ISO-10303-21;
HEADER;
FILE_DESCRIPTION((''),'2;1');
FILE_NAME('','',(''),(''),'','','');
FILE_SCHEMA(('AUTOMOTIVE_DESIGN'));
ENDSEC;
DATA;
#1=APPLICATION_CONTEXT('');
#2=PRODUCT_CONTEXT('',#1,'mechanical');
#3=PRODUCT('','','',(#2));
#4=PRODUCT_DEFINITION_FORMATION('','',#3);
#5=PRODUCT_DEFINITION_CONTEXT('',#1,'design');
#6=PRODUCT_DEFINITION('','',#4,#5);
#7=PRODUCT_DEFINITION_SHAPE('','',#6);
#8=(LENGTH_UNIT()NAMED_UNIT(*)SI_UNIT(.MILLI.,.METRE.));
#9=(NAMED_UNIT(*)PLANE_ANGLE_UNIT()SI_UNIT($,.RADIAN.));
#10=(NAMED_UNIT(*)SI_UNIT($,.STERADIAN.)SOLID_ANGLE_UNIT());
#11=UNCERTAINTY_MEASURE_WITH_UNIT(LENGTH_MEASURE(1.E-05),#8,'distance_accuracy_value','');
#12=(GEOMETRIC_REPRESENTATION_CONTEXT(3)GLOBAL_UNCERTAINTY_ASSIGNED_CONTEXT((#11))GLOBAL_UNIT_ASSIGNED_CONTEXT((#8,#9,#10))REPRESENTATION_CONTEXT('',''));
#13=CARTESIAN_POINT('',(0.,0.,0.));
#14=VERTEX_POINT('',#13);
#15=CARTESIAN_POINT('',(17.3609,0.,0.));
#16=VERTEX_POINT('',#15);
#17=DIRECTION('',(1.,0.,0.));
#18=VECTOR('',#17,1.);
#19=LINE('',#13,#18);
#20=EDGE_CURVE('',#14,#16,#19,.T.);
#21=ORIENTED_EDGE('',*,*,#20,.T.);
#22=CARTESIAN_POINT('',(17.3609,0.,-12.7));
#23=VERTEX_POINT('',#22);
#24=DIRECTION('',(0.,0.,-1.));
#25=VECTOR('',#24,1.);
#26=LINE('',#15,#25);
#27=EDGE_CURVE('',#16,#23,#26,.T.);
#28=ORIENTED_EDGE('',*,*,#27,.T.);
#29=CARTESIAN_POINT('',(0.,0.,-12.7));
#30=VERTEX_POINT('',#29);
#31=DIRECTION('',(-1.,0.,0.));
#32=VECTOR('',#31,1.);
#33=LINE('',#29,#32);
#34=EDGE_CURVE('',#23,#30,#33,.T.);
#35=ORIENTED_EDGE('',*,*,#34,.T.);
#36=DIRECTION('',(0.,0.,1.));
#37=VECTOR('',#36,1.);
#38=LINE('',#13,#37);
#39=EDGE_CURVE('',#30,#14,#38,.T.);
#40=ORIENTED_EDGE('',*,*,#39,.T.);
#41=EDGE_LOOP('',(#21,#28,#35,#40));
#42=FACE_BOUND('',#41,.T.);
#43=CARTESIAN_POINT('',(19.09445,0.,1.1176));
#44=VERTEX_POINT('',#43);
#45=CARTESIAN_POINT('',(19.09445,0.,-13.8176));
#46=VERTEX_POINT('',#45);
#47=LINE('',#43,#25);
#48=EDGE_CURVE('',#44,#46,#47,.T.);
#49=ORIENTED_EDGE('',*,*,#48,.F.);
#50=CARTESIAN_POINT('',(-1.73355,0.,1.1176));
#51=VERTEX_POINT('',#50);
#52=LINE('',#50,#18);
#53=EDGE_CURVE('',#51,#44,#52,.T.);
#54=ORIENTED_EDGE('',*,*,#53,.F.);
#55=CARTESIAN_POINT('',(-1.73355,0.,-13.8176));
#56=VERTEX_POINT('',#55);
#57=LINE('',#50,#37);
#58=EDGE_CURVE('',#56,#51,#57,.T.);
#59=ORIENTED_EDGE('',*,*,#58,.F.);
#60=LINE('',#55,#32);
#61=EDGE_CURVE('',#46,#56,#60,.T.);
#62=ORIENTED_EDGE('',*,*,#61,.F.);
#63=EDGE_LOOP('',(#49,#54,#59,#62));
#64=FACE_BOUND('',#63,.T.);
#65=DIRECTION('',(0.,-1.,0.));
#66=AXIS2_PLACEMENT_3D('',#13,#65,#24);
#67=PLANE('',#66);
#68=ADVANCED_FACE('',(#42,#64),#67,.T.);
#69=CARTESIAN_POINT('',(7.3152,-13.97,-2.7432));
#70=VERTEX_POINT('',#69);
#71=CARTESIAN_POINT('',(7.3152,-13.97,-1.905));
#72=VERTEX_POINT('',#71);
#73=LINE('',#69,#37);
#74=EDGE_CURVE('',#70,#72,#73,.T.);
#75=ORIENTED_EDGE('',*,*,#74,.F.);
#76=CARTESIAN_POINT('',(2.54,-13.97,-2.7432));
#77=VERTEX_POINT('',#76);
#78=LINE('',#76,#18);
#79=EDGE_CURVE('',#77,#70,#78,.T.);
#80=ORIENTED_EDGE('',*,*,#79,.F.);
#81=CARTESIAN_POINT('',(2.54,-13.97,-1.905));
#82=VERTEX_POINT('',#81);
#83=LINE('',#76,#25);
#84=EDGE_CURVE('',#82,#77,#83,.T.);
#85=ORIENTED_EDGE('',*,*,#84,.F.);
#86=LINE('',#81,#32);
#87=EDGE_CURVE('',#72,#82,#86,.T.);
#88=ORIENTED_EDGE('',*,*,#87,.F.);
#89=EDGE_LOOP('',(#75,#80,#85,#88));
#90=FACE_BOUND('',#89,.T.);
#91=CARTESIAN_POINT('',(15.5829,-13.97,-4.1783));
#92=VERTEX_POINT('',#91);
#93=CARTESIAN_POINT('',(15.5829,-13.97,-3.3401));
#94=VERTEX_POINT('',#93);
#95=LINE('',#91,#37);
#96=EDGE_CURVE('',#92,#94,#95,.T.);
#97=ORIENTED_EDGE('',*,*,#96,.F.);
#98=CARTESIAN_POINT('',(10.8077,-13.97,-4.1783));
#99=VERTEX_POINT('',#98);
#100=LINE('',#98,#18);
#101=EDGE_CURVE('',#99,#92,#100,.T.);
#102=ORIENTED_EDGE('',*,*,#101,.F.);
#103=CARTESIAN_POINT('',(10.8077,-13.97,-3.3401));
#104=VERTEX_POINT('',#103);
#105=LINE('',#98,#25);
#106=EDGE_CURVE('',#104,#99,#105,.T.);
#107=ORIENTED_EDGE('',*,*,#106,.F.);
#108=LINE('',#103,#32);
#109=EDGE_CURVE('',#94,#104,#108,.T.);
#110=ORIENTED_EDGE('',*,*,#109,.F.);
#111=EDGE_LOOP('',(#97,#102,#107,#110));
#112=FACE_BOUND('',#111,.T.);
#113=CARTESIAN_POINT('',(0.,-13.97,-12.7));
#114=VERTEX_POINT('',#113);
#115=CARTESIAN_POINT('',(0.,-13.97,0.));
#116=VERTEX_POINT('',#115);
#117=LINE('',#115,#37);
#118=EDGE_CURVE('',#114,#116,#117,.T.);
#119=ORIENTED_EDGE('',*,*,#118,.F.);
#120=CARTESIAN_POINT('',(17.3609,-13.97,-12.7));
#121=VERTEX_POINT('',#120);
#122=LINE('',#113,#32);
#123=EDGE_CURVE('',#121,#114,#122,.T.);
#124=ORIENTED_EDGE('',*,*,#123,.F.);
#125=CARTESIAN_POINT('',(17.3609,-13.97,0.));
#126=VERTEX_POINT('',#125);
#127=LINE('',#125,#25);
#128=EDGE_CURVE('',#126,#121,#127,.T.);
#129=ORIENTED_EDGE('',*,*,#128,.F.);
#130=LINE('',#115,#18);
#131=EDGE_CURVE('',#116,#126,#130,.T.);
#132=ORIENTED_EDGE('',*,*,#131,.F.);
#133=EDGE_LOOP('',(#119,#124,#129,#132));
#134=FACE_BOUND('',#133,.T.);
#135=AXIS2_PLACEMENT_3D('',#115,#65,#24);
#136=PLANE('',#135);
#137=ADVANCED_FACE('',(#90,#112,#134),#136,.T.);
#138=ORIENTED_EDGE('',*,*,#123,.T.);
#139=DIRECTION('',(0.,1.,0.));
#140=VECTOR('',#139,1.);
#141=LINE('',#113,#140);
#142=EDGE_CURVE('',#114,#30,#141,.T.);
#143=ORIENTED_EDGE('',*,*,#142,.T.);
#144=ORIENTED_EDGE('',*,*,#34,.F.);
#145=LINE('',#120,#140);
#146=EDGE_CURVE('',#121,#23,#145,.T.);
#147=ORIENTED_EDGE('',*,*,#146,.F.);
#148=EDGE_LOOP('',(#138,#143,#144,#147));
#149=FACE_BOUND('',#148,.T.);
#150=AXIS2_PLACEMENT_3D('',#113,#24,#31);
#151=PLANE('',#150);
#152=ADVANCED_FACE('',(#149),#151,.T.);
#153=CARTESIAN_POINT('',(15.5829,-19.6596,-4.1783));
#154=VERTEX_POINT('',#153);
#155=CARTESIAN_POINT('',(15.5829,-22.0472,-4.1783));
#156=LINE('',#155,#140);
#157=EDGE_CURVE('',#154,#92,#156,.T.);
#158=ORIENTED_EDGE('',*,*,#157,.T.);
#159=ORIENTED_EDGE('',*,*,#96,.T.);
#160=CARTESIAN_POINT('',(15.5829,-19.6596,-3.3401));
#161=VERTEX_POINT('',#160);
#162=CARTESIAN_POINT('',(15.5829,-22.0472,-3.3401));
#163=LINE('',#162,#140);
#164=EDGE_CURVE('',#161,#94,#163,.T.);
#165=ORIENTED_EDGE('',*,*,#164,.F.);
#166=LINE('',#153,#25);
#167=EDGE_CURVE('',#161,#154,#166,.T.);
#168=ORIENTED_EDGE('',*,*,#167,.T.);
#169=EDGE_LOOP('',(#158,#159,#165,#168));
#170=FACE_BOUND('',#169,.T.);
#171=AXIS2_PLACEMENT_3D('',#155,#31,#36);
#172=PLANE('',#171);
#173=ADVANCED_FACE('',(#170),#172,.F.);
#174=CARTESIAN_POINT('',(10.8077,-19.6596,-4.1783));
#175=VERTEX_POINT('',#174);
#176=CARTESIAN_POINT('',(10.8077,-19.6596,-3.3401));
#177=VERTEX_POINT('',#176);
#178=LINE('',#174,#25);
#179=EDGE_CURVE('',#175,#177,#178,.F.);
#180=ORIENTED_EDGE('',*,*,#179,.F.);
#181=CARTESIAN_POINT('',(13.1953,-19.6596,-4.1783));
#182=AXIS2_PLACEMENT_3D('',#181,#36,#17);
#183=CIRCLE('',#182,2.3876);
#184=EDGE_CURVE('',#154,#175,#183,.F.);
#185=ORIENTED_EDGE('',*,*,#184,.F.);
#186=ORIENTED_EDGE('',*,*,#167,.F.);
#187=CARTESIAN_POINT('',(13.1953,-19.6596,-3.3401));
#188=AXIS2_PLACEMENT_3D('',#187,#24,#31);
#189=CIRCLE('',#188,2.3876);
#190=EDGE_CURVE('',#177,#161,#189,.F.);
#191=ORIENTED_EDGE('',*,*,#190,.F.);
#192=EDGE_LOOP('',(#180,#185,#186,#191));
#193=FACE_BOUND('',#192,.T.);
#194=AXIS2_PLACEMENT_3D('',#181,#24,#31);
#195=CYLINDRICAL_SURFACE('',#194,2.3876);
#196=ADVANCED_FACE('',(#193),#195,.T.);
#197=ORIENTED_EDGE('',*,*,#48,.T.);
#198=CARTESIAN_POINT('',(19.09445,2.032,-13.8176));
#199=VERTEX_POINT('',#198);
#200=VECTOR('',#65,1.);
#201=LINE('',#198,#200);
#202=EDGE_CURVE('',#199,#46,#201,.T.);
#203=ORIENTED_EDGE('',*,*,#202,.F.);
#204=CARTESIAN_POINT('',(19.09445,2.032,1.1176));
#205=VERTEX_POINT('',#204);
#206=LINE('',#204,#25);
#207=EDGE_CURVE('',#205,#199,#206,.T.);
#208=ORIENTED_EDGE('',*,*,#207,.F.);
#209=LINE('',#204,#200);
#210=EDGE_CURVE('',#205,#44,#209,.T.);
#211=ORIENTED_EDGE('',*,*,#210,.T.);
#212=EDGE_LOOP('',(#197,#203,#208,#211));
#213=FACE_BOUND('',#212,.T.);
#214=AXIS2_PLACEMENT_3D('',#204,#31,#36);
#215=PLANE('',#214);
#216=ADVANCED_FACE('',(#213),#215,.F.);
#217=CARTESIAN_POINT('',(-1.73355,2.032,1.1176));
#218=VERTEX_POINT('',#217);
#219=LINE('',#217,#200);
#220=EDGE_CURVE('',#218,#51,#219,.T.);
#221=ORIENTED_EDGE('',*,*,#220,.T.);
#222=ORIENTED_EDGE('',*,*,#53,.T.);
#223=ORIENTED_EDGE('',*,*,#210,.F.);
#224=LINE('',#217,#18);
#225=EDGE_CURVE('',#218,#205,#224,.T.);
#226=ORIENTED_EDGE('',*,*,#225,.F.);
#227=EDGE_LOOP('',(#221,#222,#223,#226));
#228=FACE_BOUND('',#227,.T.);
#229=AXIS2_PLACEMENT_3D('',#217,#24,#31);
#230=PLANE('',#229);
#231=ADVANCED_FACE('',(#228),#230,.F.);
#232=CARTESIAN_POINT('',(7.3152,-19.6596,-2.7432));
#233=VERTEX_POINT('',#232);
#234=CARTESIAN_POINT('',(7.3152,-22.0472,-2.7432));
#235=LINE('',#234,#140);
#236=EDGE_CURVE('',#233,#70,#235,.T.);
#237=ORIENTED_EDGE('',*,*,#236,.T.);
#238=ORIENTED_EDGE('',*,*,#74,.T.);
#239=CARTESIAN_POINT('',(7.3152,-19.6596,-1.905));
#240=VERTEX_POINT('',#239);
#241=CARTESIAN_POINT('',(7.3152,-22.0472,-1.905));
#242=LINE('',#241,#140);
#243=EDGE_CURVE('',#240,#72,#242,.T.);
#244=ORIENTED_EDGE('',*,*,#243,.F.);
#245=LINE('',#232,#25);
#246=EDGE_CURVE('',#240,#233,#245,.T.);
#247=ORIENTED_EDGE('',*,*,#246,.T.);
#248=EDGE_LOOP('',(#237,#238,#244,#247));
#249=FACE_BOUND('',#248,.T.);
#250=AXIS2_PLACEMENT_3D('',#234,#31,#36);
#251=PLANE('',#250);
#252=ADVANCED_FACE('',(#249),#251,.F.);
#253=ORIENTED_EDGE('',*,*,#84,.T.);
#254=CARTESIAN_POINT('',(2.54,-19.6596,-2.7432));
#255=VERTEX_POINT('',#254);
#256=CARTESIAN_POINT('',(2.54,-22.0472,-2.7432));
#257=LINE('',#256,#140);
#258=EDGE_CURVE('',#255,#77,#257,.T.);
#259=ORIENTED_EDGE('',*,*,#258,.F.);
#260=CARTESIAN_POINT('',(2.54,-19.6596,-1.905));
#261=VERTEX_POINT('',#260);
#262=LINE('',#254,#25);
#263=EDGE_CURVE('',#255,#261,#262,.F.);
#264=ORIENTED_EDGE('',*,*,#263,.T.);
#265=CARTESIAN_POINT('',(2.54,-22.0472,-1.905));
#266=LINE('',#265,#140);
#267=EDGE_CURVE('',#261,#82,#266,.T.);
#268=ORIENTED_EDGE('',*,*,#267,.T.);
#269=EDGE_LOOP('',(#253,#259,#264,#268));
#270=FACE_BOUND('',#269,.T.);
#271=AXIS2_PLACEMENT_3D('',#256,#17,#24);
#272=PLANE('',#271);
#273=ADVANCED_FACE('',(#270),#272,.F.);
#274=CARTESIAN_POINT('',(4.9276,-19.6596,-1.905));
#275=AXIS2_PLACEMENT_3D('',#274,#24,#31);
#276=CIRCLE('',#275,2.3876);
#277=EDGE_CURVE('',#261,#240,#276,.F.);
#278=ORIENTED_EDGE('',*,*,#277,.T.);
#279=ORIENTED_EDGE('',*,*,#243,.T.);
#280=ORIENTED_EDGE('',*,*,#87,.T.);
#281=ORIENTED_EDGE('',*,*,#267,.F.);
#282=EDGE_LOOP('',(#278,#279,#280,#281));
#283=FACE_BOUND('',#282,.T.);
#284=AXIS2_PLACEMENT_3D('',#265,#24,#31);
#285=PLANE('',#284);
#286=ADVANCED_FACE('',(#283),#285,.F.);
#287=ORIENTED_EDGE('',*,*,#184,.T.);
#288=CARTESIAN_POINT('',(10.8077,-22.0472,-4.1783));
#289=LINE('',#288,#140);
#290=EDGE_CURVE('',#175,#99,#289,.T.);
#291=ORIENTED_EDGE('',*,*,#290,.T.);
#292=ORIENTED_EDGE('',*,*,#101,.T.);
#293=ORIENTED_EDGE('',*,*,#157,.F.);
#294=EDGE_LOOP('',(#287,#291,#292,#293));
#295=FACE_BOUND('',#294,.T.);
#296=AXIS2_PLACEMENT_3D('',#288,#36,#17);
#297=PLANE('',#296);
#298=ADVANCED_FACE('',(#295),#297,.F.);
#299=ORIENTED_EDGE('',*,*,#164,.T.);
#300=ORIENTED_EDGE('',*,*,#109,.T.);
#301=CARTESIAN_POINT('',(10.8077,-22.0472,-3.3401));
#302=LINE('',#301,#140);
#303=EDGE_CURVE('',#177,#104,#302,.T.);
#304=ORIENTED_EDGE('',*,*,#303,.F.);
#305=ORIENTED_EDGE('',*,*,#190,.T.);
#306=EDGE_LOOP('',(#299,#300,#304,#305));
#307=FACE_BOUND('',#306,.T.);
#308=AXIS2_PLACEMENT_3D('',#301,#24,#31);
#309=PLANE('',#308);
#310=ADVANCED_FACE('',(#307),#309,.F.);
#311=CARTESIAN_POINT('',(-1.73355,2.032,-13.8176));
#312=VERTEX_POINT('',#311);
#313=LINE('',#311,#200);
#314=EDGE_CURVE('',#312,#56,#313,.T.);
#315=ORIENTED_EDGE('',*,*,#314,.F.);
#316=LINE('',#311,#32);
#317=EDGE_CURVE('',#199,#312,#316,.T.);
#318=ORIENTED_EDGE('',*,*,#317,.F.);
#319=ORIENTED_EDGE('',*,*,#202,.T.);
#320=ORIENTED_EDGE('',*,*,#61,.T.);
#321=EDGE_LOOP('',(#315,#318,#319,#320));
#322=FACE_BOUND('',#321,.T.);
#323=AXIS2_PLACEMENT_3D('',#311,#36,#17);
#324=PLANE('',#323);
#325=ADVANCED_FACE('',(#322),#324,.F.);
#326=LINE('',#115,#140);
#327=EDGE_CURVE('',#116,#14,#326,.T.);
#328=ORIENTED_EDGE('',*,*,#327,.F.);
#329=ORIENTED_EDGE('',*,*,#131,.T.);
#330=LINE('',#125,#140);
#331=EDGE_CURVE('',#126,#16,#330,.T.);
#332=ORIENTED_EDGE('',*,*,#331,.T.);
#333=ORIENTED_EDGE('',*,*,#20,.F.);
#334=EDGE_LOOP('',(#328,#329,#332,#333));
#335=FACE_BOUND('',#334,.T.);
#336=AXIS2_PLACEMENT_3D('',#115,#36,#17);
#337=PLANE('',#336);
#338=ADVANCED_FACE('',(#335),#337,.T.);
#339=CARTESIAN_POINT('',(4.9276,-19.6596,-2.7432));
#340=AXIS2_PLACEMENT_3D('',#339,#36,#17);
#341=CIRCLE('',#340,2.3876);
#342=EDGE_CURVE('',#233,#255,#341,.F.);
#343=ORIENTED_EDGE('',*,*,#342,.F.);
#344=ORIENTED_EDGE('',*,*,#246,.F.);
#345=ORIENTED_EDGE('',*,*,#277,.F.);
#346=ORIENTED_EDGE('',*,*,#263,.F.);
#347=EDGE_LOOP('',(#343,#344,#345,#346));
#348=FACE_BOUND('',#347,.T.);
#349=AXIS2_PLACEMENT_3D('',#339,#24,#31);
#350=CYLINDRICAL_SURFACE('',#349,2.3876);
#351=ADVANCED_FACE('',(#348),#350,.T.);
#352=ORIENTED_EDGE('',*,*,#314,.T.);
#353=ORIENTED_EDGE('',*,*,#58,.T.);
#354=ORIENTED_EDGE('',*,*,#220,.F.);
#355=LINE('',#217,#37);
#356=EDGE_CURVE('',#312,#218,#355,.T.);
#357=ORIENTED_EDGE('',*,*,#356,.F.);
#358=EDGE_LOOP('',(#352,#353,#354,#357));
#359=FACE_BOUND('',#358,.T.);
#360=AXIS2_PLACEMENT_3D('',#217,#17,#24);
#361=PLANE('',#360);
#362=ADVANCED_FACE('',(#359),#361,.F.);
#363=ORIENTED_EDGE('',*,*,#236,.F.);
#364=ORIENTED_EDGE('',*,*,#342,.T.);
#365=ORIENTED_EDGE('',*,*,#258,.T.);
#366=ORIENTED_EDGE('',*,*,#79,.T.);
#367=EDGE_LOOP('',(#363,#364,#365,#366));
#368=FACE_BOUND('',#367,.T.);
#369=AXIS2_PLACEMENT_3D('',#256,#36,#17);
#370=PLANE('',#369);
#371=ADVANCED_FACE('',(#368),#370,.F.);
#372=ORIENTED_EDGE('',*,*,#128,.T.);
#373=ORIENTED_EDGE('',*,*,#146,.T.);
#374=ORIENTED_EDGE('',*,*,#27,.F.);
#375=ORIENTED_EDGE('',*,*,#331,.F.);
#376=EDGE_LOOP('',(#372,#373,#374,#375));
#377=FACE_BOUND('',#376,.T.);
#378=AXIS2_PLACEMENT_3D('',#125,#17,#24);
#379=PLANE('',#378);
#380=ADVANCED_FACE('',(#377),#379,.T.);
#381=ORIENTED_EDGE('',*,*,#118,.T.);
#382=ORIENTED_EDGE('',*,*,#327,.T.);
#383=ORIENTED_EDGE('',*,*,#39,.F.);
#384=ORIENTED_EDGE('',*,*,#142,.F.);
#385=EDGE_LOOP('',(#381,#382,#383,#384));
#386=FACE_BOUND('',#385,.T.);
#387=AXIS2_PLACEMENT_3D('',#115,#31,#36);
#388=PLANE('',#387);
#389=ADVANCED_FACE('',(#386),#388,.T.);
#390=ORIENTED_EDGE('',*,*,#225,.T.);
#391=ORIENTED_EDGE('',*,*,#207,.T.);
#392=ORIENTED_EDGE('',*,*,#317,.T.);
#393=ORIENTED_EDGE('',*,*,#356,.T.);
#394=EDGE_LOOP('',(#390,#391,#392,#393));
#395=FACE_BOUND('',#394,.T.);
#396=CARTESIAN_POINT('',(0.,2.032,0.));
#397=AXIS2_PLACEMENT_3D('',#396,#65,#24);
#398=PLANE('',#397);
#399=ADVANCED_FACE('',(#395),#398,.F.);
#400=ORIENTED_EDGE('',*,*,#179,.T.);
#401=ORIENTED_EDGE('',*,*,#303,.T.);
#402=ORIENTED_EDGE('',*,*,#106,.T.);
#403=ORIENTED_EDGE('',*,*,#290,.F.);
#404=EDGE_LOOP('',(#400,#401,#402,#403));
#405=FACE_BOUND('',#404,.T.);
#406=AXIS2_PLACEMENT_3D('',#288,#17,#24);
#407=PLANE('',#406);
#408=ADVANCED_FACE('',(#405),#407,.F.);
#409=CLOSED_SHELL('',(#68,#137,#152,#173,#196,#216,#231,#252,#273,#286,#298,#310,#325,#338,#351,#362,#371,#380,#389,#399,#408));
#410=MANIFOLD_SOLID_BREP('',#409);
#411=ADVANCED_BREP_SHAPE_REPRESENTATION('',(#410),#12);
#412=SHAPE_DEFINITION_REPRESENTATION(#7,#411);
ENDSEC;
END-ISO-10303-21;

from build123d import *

# Parameters (mm, degrees)
SKETCH1_W           = 17.3609
SKETCH1_H           = 12.7
BOSS_EXTRUDE1_DEPTH = 13.97
SKETCH2_W           = 20.828
SKETCH2_H           = 14.9352
BOSS_EXTRUDE2_DEPTH = 2.032
SKETCH3_W           = 4.7752
SKETCH3_H           = 0.8382
BOSS_EXTRUDE3_DEPTH = 8.0772
FILLET1_RADIUS      = 2.3876
FILLET1_LENGTH      = 0.8382
FILLET2_RADIUS      = 2.3876
FILLET2_LENGTH      = 0.8382


with BuildPart() as part:
    # Sketch1 → Boss-Extrude1 (new body)
    with BuildSketch(Plane(origin=(0, 0, 0), x_dir=(1, 0, 0), z_dir=(0, 1, 0))):
        with Locations((8.68045, 6.35)):
            Rectangle(SKETCH1_W, SKETCH1_H)
    extrude(amount=-BOSS_EXTRUDE1_DEPTH)

    # Sketch2 → Boss-Extrude2 (add)
    with BuildSketch(Plane(origin=(0, 0, 0), x_dir=(1, 0, 0), z_dir=(0, 1, 0))):
        with Locations((8.68045, 6.35)):
            Rectangle(SKETCH2_W, SKETCH2_H)
    extrude(amount=BOSS_EXTRUDE2_DEPTH)

    # Sketch3 → Boss-Extrude3 (add)
    with BuildSketch(Plane.XZ.offset(13.97)):
        with Locations((4.9276, -2.3241)):
            Rectangle(SKETCH3_W, SKETCH3_H)
        with Locations((13.1953, -3.7592)):
            Rectangle(SKETCH3_W, SKETCH3_H)
    extrude(amount=BOSS_EXTRUDE3_DEPTH)

    # Fillet1: full round fillet: the end face becomes a half cylinder, R = half its width
    fillet1_face = Plane((4.9276, -22.0472, -2.3241), x_dir=(0, 0, -1), z_dir=(0, -1, 0))  # on the end face: x along it, z out of the body
    fillet1_slab = fillet1_face.offset(-FILLET1_RADIUS / 2) * Box(FILLET1_LENGTH, 2 * FILLET1_RADIUS, FILLET1_RADIUS, mode=Mode.PRIVATE)  # the body's end, R deep
    fillet1_round = Plane((4.9276, -19.6596, -2.3241), x_dir=(0, -1, 0), z_dir=(0, 0, -1)) * Cylinder(FILLET1_RADIUS, FILLET1_LENGTH, mode=Mode.PRIVATE)  # its axis R under the face
    add(fillet1_slab - fillet1_round, mode=Mode.SUBTRACT)

    # Fillet2: full round fillet: the end face becomes a half cylinder, R = half its width
    fillet2_face = Plane((13.1953, -22.0472, -3.7592), x_dir=(0, 0, -1), z_dir=(0, -1, 0))  # on the end face: x along it, z out of the body
    fillet2_slab = fillet2_face.offset(-FILLET2_RADIUS / 2) * Box(FILLET2_LENGTH, 2 * FILLET2_RADIUS, FILLET2_RADIUS, mode=Mode.PRIVATE)  # the body's end, R deep
    fillet2_round = Plane((13.1953, -19.6596, -3.7592), x_dir=(0, -1, 0), z_dir=(0, 0, -1)) * Cylinder(FILLET2_RADIUS, FILLET2_LENGTH, mode=Mode.PRIVATE)  # its axis R under the face
    add(fillet2_slab - fillet2_round, mode=Mode.SUBTRACT)


solid = part.part
